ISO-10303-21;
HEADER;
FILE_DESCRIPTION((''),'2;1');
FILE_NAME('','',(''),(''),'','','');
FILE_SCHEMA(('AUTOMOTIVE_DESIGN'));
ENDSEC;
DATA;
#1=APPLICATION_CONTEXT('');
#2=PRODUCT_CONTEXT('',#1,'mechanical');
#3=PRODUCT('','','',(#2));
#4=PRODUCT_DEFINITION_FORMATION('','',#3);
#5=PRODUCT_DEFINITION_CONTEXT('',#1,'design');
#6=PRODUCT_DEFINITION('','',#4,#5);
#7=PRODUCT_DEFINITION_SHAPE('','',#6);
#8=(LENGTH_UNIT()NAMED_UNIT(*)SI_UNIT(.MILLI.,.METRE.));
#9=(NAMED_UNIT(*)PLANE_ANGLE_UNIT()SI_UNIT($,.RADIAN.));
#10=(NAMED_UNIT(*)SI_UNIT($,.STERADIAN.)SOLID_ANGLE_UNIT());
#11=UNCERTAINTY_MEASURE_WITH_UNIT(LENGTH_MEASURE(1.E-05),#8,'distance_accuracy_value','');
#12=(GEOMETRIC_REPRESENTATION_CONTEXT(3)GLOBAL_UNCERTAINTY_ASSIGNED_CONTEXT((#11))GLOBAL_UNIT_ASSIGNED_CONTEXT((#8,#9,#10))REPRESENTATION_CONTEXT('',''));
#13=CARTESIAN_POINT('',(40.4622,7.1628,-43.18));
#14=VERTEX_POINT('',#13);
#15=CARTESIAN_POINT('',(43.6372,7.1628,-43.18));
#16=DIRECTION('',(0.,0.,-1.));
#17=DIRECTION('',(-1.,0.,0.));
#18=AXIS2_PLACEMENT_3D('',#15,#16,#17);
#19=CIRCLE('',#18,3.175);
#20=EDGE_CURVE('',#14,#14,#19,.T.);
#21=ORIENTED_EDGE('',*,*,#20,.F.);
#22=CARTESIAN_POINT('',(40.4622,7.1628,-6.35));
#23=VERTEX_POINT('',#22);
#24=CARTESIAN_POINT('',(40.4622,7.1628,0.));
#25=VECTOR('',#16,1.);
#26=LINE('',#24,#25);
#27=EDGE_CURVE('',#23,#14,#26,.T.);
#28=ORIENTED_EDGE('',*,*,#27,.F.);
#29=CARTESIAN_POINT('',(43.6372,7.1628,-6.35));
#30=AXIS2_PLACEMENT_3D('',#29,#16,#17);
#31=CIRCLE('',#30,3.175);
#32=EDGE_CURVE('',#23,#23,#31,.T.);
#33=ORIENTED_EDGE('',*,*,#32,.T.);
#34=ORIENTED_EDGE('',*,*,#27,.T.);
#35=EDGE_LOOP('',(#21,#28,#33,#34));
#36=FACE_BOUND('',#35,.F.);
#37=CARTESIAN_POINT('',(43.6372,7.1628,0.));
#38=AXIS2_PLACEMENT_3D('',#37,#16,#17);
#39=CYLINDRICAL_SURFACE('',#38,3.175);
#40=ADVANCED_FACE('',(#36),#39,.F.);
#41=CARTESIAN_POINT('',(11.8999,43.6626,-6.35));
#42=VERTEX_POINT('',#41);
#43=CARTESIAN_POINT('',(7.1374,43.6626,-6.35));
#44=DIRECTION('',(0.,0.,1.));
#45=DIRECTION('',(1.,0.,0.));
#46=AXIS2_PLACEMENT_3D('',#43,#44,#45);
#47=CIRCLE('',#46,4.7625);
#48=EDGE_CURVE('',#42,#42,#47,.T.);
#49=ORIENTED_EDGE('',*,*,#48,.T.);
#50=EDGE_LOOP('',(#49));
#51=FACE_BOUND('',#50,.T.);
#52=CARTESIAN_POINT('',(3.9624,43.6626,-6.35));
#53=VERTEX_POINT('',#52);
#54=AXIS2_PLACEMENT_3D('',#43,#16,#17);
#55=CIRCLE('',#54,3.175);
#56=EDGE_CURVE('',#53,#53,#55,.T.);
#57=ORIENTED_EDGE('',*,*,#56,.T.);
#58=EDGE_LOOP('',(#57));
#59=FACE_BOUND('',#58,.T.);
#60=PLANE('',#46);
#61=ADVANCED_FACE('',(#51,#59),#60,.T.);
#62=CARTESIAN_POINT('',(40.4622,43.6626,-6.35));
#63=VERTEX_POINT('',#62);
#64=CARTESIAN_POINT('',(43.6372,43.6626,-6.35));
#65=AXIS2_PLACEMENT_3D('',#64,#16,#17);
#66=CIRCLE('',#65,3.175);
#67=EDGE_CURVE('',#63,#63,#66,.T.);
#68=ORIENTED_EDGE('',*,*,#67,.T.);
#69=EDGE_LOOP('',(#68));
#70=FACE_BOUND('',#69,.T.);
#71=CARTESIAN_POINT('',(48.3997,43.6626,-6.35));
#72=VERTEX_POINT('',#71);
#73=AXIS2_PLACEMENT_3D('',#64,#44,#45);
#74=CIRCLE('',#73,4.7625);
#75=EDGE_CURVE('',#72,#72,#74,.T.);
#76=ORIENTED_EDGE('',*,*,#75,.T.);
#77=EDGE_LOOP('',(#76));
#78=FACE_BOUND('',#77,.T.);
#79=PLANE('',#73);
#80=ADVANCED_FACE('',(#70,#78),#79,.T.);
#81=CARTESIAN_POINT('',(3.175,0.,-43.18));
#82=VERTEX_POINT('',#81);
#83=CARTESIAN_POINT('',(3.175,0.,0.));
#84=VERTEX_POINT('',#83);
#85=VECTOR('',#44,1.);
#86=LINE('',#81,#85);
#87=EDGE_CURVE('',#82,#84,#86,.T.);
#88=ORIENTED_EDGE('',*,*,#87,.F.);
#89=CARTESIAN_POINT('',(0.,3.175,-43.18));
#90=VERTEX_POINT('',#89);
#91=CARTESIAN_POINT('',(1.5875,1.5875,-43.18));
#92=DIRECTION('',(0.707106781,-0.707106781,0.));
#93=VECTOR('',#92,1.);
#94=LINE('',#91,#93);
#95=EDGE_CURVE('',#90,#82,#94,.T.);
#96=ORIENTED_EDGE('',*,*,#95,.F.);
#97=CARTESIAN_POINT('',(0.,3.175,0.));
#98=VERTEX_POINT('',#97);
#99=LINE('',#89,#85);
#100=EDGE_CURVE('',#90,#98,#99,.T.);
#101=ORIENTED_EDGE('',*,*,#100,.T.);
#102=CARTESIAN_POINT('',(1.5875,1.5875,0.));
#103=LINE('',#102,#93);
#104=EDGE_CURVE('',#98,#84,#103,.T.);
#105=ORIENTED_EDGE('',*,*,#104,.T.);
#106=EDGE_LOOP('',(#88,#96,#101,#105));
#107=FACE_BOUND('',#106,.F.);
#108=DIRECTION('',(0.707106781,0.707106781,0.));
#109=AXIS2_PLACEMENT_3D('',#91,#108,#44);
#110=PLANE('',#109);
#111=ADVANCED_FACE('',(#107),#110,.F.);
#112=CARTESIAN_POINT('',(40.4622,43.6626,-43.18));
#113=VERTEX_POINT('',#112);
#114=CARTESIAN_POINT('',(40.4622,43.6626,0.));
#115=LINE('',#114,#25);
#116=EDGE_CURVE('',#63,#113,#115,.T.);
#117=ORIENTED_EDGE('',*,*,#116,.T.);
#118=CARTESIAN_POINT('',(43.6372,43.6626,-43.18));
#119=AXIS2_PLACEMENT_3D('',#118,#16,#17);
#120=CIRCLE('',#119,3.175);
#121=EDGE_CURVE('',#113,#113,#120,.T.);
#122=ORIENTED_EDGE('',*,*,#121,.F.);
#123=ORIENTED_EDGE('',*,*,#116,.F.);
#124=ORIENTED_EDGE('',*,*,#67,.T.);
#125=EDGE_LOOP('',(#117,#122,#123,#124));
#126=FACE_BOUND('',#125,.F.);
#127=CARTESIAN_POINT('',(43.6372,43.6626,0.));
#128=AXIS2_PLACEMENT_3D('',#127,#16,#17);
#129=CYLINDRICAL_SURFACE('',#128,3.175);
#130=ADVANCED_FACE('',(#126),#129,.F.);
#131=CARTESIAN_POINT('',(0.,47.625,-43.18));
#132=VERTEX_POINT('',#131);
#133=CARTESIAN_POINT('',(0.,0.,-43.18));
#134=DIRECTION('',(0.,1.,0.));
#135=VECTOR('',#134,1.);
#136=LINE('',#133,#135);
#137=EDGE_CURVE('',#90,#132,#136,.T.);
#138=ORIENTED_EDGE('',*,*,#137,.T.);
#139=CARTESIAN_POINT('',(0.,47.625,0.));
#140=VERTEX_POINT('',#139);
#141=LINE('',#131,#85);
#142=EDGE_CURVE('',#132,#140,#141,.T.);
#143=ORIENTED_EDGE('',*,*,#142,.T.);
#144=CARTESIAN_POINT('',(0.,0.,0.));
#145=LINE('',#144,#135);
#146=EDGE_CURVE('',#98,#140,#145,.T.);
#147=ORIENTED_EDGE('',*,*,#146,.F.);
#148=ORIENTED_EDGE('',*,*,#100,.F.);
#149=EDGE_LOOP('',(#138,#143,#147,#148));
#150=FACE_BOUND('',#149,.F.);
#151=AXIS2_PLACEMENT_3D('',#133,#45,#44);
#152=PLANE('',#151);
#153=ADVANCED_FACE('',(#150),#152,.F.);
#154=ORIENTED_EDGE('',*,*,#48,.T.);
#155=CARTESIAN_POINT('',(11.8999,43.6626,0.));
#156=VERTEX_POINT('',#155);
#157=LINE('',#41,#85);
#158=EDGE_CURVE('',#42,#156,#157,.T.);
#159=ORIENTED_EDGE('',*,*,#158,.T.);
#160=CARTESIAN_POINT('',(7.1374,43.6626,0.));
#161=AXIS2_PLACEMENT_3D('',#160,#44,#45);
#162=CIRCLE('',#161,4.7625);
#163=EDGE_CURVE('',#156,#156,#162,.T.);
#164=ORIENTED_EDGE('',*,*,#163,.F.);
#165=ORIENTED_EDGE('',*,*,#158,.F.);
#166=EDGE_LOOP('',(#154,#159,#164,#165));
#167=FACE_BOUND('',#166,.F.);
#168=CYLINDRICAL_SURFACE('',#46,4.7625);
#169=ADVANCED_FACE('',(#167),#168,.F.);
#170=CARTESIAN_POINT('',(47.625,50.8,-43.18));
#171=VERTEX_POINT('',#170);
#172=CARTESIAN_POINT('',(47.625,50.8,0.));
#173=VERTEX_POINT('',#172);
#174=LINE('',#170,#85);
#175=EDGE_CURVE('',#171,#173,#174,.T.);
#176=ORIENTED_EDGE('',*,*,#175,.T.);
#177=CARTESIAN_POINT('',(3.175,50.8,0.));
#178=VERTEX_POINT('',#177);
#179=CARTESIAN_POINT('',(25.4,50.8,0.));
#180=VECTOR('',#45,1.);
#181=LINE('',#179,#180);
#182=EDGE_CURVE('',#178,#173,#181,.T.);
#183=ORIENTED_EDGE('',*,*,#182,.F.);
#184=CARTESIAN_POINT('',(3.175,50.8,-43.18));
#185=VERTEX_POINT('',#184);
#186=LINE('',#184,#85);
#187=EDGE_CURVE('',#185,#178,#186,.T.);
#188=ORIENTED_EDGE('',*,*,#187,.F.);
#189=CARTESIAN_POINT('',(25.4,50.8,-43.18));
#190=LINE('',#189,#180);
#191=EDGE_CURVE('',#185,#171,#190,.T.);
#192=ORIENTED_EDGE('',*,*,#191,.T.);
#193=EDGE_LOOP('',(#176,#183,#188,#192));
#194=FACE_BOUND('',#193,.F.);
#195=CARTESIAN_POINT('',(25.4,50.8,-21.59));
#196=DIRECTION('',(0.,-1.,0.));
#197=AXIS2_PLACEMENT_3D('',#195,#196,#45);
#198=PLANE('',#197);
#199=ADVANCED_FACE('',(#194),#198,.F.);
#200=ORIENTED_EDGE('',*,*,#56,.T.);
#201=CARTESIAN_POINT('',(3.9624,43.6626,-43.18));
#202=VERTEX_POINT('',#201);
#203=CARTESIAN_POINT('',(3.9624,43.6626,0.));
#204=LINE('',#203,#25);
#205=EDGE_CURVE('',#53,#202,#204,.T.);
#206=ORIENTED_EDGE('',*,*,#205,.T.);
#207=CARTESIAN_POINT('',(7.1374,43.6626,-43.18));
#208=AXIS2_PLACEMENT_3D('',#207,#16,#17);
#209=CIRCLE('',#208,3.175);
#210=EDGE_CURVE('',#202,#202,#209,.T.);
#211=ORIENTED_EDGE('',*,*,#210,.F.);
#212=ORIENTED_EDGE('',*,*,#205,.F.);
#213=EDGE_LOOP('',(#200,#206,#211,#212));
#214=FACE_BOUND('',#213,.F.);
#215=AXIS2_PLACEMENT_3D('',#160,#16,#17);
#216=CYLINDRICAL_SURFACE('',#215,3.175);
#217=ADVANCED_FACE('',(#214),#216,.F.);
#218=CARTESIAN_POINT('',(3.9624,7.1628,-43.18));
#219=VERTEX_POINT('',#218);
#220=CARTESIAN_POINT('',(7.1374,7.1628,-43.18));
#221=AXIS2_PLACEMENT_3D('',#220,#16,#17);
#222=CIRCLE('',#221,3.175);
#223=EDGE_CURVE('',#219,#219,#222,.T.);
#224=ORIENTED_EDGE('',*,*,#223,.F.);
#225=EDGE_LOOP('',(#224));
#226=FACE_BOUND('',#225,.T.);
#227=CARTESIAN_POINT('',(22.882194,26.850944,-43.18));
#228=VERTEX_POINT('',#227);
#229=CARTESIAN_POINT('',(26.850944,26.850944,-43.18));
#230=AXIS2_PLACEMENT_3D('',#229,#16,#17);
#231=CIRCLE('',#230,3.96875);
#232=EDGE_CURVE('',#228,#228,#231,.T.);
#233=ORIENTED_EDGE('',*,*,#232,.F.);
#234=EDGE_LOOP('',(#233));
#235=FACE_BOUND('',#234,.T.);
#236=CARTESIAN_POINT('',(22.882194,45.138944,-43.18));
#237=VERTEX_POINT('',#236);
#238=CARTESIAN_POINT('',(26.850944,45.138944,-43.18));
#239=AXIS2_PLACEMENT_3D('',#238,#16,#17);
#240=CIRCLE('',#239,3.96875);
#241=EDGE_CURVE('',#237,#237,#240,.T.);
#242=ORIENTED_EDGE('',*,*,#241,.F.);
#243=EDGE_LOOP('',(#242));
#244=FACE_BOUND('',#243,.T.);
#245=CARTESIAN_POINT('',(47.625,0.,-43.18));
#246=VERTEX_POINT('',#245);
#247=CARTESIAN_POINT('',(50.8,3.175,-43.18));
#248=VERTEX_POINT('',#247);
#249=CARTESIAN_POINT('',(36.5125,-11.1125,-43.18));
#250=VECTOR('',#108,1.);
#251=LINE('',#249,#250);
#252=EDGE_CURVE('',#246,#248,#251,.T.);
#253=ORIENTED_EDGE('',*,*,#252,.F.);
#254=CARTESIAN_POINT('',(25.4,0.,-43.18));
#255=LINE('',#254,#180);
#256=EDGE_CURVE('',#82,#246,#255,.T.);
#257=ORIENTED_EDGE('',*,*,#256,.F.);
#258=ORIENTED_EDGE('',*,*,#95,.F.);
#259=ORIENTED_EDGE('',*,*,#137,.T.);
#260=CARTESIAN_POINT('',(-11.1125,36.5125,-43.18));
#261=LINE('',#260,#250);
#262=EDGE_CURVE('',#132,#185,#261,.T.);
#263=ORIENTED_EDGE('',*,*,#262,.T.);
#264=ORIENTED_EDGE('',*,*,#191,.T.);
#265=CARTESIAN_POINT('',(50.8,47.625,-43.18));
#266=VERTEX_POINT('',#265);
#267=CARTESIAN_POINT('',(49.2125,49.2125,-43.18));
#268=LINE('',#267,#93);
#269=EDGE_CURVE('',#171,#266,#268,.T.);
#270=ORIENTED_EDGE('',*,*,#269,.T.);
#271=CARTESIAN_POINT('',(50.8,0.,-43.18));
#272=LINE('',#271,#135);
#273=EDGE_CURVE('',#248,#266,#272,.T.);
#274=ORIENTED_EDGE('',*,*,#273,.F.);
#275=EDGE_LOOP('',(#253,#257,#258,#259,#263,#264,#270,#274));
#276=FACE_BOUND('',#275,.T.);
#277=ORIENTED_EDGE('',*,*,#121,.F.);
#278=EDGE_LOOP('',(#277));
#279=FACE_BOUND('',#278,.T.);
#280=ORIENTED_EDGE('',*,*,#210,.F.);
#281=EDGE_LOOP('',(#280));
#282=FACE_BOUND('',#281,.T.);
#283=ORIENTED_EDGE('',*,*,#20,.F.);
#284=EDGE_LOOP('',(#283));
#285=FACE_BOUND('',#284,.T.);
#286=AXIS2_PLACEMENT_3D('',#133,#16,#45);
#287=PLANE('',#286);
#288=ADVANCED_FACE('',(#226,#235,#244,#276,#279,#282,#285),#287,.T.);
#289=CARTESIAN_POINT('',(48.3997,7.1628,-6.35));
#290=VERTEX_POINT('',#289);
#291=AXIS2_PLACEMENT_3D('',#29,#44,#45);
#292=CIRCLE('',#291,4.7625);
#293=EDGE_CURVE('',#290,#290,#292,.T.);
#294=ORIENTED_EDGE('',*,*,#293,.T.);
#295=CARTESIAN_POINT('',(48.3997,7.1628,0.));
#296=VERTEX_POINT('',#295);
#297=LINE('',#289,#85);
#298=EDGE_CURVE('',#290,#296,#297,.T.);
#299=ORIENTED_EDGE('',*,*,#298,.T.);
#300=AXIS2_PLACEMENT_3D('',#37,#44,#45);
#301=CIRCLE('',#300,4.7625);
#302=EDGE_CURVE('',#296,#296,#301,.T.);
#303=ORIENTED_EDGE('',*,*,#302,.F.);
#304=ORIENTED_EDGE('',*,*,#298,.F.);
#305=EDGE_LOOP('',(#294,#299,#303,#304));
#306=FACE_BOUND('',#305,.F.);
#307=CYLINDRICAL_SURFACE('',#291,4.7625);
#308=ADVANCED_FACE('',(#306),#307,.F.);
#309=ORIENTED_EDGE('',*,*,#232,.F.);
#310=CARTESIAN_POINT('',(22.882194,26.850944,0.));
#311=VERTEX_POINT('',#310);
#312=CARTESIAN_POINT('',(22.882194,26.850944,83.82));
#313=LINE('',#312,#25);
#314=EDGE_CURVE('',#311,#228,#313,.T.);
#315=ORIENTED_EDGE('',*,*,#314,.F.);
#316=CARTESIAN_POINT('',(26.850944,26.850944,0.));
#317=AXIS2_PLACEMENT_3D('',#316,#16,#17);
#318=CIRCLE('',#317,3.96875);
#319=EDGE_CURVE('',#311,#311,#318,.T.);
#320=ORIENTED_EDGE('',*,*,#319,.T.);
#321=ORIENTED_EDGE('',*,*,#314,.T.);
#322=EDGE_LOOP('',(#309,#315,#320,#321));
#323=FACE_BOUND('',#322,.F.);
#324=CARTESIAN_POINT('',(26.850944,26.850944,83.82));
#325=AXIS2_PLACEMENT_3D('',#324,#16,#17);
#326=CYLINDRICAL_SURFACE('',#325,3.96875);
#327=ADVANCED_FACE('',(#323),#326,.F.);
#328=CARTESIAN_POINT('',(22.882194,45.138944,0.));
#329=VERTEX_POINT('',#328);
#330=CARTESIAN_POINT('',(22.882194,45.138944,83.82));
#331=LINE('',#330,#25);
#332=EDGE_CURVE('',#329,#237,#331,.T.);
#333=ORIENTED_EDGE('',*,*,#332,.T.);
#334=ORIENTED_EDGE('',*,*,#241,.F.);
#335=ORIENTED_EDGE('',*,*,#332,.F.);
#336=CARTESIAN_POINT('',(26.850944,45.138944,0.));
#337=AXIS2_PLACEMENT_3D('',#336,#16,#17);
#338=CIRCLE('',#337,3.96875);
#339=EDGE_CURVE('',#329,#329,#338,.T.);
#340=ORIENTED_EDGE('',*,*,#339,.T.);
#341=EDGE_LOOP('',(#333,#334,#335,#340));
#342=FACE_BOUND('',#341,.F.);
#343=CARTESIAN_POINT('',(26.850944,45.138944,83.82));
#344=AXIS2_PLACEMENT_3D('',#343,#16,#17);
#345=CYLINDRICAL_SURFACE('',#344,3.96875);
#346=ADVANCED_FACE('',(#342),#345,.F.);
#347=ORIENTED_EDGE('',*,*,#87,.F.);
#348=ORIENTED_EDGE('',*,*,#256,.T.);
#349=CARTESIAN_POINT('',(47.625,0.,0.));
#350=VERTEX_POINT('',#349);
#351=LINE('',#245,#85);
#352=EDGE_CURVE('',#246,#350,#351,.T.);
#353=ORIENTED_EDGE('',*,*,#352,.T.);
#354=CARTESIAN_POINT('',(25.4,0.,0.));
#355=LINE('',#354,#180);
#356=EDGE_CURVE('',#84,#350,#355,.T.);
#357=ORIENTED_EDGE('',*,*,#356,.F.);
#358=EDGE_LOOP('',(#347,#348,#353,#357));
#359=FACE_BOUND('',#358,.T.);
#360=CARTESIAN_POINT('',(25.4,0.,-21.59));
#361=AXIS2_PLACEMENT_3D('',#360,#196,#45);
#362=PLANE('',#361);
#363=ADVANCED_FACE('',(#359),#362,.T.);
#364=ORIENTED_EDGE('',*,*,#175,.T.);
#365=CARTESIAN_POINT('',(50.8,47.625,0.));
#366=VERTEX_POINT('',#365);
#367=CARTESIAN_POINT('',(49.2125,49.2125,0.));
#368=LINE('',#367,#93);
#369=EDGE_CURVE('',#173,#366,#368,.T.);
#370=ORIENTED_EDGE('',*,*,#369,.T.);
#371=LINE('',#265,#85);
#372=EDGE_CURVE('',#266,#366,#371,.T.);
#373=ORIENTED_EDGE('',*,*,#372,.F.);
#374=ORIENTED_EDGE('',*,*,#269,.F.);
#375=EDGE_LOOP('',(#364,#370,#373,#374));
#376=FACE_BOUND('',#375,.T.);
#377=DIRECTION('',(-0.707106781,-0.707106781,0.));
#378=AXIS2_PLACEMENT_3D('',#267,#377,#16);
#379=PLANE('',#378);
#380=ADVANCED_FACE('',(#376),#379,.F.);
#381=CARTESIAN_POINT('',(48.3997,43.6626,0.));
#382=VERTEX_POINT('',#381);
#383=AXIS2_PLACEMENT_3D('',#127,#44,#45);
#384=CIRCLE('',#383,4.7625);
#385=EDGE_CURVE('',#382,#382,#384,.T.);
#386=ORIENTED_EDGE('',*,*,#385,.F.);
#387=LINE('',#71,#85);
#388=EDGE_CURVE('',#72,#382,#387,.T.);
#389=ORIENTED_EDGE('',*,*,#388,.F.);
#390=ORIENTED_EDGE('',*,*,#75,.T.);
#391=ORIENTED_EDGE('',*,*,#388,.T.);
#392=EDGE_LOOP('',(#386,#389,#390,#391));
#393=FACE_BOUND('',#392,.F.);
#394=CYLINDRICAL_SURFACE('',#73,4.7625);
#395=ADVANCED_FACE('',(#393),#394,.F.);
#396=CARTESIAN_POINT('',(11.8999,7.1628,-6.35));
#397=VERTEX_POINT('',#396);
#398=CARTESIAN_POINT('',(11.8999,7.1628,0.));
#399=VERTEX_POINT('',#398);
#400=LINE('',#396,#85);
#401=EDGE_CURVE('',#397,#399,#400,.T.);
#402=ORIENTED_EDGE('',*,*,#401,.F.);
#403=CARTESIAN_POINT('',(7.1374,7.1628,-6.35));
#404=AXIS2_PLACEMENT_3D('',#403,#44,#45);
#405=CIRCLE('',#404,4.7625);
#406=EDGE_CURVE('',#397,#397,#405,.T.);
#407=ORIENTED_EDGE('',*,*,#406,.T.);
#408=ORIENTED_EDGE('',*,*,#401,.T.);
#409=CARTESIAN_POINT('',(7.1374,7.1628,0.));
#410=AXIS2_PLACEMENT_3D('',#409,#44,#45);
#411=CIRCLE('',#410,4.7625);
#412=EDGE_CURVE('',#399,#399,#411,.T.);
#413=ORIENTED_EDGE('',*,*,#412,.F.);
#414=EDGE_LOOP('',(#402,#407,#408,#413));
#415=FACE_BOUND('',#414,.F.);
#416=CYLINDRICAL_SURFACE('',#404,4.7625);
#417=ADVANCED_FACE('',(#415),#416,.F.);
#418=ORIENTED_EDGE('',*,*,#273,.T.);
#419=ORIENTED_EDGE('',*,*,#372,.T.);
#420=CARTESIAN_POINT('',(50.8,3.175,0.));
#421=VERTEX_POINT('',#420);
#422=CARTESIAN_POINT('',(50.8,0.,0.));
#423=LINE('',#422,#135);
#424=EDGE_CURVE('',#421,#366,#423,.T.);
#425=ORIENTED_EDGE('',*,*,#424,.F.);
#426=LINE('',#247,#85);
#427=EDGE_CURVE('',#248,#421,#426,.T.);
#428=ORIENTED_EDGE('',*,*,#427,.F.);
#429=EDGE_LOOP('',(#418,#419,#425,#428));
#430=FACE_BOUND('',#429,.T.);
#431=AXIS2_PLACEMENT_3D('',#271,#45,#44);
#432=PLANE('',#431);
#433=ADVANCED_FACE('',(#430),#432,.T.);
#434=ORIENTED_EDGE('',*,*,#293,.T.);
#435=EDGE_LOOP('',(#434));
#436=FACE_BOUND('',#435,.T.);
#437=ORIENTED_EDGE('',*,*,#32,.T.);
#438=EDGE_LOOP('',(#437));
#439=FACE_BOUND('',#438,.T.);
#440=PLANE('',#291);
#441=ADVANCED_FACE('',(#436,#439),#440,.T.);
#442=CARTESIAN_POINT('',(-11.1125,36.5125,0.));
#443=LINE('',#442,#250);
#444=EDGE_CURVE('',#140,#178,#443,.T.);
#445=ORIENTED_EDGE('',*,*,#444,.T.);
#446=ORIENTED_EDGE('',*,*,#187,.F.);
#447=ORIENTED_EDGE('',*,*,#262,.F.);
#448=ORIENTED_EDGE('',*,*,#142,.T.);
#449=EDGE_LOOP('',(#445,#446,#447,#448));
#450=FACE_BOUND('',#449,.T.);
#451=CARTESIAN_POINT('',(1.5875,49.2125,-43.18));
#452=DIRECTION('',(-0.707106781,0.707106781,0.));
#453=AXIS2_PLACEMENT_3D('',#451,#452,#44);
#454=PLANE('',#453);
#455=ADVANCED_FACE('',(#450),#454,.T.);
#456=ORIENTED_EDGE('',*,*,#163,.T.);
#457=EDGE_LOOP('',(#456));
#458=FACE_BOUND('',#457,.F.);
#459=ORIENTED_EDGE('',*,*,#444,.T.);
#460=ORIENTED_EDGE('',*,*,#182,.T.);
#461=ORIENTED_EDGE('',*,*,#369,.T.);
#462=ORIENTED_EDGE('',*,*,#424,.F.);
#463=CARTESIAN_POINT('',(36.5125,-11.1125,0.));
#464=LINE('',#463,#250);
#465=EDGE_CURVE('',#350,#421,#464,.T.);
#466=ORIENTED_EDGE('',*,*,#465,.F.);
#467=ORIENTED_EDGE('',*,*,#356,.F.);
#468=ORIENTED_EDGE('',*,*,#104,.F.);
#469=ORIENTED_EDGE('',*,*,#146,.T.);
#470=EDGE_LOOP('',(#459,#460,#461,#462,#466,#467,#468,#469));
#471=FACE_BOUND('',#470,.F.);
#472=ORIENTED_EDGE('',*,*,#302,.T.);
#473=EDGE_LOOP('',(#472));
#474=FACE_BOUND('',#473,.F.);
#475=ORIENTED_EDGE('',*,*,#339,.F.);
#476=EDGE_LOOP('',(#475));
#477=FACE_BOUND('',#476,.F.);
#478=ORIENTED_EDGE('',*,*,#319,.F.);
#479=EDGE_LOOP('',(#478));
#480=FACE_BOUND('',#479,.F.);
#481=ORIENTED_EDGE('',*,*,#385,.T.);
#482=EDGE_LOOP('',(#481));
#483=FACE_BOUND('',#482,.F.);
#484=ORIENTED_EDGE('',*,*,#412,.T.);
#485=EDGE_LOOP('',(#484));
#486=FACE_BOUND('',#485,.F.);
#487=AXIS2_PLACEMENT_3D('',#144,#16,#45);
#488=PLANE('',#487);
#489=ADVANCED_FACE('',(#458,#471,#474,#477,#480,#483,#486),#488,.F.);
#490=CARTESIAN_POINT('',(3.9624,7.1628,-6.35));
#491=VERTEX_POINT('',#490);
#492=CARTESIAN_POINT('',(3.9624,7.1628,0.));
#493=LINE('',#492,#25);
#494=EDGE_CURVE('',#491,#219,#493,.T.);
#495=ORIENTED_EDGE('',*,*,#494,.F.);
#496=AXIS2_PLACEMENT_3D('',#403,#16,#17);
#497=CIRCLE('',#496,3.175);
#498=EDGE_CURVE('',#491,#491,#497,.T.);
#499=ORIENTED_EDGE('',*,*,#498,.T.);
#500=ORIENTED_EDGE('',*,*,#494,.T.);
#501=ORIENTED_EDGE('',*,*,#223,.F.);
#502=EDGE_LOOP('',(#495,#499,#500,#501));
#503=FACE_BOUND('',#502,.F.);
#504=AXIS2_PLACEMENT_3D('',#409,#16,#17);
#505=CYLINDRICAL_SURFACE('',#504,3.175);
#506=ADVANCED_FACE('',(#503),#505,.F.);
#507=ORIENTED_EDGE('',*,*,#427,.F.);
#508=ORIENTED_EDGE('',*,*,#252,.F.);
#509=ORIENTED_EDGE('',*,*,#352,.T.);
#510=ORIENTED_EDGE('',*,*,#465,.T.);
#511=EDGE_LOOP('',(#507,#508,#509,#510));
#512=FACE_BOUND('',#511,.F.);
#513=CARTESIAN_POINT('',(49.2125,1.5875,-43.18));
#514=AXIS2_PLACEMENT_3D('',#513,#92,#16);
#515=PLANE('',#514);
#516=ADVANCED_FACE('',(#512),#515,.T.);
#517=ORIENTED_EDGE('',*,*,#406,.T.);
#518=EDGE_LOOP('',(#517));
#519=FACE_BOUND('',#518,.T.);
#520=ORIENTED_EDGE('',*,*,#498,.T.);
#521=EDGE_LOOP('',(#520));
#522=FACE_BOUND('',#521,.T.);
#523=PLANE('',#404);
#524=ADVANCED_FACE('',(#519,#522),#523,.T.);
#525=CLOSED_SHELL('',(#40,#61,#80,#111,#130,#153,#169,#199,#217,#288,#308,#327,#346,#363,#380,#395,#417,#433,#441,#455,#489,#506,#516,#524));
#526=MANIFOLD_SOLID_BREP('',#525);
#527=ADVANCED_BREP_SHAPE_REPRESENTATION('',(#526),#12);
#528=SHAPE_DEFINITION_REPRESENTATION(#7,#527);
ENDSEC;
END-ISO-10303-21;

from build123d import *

# Parameters (mm, degrees)
F0_W           = 50.8
F0_H           = 43.18
F1_DEPTH       = 50.8
F3_D           = 6.35
F3_CBORE_D     = 9.525
F3_CBORE_DEPTH = 6.35
F5_D           = 7.9375
F6_SIZE        = 3.175


with BuildPart() as f1:
    # F0 (on Front) → F1 (new body)
    with BuildSketch(Plane.XZ):
        with Locations((25.4, -21.59)):
            Rectangle(F0_W, F0_H)
    extrude(amount=-F1_DEPTH)

    # F3 (through all)
    with Locations(Plane.XY):
        with Locations((7.1374, 7.1628), (7.1374, 43.6626), (43.6372, 43.6626), (43.6372, 7.1628)):
            CounterBoreHole(F3_D / 2, F3_CBORE_D / 2, F3_CBORE_DEPTH)

    # F5 (through all)
    with Locations(Plane.XY):
        with Locations((26.850944, 26.850944), (26.850944, 45.138944)):
            Hole(F5_D / 2)

    # F6
    f6_edges = [f1.edges().sort_by_distance(p)[0] for p in [
        (50.8, 50.8, -21.59),
        (50.8, 0, -21.59),
        (0, 50.8, -21.59),
        (0, 0, -21.59),
    ]]
    chamfer(f6_edges, length=F6_SIZE)


solid = f1.part
